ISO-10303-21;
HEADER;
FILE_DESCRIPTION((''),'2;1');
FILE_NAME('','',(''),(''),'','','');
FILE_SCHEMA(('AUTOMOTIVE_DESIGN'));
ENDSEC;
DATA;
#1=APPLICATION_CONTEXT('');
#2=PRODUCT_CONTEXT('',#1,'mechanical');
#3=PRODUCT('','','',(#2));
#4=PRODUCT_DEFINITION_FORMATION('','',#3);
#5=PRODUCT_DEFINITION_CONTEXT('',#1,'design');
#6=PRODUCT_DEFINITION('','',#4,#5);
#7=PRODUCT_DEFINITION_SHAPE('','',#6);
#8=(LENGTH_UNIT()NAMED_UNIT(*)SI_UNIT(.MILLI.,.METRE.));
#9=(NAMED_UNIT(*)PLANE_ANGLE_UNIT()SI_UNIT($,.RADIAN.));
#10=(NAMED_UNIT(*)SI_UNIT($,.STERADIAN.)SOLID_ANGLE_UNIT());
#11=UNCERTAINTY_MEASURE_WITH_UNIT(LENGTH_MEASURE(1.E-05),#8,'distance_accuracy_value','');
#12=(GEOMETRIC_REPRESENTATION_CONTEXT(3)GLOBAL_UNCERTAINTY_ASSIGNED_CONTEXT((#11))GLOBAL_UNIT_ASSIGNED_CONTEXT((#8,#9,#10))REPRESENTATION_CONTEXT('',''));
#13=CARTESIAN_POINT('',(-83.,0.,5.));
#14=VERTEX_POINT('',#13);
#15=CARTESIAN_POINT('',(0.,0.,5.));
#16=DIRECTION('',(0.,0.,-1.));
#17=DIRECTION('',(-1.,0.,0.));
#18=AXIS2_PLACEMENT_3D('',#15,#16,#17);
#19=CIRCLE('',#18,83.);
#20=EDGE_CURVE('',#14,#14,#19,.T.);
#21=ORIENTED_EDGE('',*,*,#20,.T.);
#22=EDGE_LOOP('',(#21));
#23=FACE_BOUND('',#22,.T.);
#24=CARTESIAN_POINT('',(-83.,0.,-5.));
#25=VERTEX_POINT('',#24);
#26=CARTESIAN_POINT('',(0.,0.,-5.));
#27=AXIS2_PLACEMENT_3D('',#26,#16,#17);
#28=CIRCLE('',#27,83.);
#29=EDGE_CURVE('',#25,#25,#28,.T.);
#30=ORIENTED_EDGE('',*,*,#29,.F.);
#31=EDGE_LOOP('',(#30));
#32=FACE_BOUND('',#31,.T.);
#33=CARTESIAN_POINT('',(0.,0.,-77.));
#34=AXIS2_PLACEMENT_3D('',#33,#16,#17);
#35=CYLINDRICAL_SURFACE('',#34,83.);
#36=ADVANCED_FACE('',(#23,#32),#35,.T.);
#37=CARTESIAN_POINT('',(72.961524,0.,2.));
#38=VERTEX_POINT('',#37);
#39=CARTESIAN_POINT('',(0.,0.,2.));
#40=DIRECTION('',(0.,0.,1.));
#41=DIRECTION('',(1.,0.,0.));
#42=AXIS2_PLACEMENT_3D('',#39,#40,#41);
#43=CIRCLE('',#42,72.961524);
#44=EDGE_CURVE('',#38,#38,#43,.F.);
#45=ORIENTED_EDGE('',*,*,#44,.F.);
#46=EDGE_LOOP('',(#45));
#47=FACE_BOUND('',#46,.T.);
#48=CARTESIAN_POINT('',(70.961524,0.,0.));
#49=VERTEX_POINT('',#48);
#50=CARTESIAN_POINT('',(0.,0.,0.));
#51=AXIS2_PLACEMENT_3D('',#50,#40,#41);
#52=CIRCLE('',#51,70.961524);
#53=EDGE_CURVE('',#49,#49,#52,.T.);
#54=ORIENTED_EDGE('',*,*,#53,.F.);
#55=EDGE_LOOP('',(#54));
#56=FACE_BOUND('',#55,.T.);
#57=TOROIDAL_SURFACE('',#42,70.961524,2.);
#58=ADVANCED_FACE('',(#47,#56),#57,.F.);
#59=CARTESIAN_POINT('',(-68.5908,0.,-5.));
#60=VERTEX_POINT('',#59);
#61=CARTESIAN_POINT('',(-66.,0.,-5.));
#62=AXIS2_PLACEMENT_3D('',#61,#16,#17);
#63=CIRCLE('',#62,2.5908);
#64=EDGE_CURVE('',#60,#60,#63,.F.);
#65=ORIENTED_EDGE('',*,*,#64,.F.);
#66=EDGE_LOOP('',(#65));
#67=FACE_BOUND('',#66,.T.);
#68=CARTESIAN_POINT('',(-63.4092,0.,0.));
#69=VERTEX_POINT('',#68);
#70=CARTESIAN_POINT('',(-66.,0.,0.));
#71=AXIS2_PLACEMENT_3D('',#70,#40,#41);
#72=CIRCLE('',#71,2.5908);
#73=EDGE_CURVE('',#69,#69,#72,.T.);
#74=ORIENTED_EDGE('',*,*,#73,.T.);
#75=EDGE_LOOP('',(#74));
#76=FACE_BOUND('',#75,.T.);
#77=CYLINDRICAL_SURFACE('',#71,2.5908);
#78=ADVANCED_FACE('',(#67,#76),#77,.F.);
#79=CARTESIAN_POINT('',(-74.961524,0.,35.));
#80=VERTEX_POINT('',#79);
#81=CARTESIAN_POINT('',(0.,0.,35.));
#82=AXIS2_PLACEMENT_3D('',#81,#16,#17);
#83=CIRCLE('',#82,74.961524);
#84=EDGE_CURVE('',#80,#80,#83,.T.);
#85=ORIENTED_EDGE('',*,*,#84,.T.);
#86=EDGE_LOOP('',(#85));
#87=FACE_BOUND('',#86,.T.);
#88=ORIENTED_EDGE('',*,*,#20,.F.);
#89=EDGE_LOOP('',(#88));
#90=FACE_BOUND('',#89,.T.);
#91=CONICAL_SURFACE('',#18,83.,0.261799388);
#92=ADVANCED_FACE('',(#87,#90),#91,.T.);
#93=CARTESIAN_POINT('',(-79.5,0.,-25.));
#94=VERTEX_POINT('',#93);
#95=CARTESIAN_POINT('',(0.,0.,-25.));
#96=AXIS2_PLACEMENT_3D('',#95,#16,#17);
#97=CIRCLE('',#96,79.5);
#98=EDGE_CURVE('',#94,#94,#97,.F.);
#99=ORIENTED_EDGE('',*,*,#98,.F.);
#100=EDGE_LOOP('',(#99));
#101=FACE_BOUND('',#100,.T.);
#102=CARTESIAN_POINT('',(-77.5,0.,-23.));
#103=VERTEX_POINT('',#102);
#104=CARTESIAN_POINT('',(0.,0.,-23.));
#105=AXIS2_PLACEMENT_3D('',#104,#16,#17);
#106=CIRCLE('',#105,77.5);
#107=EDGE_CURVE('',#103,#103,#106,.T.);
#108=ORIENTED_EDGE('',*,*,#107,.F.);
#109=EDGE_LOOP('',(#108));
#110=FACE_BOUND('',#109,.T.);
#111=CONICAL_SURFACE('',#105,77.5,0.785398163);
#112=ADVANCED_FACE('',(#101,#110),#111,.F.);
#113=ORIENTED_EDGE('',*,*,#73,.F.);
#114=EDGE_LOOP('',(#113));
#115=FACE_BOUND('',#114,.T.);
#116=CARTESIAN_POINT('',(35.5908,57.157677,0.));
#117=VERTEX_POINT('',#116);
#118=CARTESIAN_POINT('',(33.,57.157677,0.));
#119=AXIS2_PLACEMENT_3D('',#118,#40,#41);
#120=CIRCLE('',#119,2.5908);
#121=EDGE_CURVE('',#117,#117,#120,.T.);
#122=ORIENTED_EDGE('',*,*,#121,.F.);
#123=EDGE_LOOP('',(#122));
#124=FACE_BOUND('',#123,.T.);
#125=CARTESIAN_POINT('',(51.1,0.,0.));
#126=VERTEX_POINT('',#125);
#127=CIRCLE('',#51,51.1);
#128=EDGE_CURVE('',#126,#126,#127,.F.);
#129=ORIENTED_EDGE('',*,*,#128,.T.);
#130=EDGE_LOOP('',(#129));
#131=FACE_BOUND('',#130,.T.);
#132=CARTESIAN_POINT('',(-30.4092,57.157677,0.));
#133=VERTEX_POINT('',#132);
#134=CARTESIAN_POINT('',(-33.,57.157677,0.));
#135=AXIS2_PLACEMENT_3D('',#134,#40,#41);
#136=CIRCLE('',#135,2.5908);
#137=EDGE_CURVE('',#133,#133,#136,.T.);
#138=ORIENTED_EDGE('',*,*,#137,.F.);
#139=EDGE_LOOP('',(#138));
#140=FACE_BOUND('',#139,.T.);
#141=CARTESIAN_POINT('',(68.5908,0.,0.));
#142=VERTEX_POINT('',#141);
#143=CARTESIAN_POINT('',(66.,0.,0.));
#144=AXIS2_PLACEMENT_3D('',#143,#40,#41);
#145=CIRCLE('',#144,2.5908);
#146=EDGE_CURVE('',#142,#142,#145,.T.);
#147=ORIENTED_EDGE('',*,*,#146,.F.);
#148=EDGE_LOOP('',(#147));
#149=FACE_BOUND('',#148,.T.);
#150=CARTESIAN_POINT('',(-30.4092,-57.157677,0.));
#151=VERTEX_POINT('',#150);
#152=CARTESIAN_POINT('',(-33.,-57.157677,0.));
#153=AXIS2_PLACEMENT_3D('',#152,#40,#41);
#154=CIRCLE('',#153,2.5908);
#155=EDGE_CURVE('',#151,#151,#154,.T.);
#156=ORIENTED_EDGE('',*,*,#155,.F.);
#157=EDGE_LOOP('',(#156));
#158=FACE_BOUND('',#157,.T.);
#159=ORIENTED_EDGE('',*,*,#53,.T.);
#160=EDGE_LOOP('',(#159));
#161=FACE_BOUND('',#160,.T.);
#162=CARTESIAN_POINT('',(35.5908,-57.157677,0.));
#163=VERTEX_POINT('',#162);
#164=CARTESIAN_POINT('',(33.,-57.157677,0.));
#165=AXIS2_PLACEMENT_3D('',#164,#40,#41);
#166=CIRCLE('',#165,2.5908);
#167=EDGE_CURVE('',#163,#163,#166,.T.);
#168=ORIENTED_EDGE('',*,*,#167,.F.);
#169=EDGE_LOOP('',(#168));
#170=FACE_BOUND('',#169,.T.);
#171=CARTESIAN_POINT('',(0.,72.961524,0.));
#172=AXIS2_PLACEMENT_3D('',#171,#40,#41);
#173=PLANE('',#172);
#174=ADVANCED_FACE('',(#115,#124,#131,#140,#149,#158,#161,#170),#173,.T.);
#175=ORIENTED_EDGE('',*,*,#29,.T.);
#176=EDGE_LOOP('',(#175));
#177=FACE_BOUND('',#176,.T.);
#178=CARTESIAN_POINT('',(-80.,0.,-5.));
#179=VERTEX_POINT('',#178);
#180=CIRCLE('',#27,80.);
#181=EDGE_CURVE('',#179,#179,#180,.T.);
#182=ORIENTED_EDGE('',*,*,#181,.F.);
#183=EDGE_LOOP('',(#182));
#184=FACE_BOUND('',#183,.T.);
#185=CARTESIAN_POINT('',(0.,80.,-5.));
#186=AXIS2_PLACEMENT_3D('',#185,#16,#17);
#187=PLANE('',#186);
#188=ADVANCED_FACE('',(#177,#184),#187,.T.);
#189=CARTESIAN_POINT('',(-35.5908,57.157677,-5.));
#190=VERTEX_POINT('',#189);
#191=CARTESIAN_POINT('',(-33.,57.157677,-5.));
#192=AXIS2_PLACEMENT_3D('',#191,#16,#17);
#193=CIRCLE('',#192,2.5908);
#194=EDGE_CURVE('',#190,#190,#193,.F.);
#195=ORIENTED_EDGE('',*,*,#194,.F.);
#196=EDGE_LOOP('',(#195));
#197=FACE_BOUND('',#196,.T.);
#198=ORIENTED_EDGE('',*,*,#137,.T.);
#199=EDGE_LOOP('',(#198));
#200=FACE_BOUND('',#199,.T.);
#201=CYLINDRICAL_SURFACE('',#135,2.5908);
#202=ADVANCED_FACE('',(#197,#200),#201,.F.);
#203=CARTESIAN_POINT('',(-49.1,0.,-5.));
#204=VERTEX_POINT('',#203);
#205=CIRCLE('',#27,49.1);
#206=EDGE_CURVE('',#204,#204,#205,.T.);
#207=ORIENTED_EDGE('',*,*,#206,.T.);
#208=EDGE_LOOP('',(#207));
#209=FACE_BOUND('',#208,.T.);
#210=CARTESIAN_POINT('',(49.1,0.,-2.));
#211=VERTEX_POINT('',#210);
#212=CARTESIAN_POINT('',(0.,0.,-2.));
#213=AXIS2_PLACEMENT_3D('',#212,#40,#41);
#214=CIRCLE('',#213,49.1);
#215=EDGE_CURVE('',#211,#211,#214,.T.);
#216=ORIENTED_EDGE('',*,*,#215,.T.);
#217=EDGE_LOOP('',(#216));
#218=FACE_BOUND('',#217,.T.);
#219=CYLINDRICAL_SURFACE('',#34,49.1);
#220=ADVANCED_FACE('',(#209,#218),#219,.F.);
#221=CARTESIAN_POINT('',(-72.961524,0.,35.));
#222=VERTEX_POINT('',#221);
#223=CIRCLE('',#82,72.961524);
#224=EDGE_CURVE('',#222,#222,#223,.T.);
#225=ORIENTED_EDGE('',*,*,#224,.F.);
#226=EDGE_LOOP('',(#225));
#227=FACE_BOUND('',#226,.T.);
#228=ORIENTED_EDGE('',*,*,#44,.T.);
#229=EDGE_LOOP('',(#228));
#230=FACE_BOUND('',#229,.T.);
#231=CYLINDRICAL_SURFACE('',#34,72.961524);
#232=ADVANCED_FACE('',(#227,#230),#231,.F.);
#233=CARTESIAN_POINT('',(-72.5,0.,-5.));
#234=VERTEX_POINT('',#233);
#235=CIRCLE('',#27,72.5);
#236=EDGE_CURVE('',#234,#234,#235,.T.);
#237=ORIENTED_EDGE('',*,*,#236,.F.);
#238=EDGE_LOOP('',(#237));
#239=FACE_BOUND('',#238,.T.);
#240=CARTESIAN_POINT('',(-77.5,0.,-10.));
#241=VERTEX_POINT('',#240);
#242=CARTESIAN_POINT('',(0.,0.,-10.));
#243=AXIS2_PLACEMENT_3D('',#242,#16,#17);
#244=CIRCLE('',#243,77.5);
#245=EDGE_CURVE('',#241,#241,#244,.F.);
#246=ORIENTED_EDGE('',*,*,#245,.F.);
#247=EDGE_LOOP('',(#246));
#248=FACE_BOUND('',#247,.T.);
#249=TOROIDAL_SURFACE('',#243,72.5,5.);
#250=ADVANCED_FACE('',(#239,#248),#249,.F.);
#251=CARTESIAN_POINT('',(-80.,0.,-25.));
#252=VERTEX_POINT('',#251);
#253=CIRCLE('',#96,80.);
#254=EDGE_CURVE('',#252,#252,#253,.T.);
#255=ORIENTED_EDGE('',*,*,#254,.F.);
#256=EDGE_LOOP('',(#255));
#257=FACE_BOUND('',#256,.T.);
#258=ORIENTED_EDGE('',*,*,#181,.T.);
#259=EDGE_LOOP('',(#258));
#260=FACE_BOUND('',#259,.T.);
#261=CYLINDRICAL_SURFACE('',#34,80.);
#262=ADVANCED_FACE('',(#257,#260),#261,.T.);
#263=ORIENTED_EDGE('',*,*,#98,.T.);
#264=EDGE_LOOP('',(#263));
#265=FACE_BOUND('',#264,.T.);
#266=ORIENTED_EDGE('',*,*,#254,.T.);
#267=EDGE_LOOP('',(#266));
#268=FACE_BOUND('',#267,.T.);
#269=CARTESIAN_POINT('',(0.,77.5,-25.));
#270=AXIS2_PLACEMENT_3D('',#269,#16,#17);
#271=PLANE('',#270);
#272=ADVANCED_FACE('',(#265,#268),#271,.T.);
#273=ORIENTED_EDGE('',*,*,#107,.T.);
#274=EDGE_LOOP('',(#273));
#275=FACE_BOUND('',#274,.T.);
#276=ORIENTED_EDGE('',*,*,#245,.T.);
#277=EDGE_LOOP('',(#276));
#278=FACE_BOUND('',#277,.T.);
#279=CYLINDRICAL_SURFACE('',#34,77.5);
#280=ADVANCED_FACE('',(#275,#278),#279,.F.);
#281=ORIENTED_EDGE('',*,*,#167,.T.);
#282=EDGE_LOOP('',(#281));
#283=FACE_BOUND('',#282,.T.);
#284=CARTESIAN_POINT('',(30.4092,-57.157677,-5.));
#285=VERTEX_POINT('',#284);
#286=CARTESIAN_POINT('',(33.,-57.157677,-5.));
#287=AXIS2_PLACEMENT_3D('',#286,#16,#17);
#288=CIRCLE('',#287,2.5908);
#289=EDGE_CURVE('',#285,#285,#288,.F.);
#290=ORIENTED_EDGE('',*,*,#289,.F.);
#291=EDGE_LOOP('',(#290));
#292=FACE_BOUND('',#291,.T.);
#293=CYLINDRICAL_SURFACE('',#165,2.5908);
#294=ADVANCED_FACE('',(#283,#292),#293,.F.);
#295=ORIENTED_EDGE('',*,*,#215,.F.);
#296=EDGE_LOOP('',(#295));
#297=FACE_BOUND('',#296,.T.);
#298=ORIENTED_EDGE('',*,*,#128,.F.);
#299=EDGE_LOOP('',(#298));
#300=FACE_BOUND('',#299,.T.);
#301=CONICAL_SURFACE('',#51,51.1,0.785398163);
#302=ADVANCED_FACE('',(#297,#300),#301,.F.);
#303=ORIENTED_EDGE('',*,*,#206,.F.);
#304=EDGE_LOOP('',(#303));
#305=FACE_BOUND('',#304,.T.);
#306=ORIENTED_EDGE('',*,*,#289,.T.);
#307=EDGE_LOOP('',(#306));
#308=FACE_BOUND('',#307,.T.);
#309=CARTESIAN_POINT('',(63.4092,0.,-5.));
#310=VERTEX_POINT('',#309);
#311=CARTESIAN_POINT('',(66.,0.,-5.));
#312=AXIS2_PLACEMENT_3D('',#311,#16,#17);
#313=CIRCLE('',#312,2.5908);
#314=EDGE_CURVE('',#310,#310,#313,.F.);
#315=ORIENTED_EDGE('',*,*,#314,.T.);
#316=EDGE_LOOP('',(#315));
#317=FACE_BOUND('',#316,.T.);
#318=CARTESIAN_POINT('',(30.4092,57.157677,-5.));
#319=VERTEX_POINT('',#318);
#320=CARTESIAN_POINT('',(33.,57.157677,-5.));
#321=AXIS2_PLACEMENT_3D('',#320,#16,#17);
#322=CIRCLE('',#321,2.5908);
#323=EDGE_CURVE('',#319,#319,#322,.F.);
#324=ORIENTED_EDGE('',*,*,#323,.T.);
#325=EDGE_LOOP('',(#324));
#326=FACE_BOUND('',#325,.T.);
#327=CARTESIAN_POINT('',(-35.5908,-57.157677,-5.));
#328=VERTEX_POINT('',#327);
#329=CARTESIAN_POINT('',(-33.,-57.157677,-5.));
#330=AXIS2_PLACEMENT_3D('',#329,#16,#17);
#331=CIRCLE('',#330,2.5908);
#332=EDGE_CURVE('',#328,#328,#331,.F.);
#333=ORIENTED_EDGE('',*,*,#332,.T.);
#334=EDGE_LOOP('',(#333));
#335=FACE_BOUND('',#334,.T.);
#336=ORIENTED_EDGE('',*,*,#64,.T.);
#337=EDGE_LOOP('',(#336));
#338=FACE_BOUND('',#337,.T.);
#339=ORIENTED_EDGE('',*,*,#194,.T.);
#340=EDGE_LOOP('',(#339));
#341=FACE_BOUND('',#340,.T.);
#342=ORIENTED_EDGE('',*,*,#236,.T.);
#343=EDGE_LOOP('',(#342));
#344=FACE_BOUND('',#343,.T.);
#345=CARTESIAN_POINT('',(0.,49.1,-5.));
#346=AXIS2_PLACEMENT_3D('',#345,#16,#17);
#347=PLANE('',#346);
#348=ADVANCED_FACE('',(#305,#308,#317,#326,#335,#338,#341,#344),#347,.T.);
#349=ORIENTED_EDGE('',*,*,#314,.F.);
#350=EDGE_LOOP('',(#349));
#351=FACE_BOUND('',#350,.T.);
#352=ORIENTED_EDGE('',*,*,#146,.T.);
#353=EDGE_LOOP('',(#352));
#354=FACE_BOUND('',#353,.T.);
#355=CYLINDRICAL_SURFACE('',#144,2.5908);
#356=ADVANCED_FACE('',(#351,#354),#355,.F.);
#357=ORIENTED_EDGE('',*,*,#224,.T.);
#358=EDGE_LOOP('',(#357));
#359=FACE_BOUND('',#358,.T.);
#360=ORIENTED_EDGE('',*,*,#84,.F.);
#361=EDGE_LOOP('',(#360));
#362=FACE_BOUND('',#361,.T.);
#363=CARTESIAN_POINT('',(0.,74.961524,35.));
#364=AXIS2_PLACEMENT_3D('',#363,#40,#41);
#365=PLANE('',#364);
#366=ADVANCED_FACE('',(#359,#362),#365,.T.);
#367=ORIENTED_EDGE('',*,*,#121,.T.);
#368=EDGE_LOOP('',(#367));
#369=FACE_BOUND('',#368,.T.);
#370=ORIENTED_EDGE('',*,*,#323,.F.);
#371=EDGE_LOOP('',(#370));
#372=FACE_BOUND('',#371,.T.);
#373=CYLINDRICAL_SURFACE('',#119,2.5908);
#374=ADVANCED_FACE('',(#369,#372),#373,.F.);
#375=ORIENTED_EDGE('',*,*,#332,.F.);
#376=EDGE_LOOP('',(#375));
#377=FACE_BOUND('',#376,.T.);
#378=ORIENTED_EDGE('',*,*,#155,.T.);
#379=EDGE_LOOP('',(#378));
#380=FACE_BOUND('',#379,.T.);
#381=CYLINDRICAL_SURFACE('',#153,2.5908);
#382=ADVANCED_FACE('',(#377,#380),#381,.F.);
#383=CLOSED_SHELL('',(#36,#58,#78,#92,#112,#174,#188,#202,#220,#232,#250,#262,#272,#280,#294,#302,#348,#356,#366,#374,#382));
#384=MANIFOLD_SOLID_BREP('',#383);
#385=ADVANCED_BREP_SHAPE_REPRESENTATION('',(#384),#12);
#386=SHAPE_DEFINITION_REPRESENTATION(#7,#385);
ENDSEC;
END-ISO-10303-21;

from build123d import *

# Parameters (mm, degrees)
CHAMFER1_SIZE              = 2
CHAMFER2_SIZE              = 2
F_6_0_204_DIAMETER_HOLE1_D = 5.1816
CIRPATTERN1_COUNT          = 6
FILLET2_R                  = 5
FILLET3_R                  = 2


with BuildPart() as part:
    # Sketch2 → Revolve1 (revolve)
    with BuildSketch(Plane(origin=(0, 0, 0), x_dir=(0, 0, -1), z_dir=(1, 0, 0)), mode=Mode.PRIVATE) as revolve1_sk:
        Polygon((-5, 83), (-35, 74.961524227), (-35, 72.961524227), (0, 72.961524227), (0, 49.1), (5, 49.1), (5, 77.5), (25, 77.5), (25, 80), (5, 80), (5, 83), align=None)
    revolve(revolve1_sk.sketch.rotate(Axis((0, 0, -77), (0, 0, 1)), 90), axis=Axis((0, 0, -77), (0, 0, 1)))

    # Chamfer1
    chamfer1_edges = [part.edges().sort_by_distance(p)[0] for p in [
        (77.5, 0, -25),
    ]]
    chamfer(chamfer1_edges, length=CHAMFER1_SIZE)

    # Chamfer2
    chamfer2_edges = [part.edges().sort_by_distance(p)[0] for p in [
        (49.1, 0, 0),
    ]]
    chamfer(chamfer2_edges, length=CHAMFER2_SIZE)

    # #6 (0.204) Diameter Hole1 (through all)
    with Locations(Plane.XY):
        with Locations((-33, 57.15767665)):
            f_6_0_204_diameter_hole1 = Hole(F_6_0_204_DIAMETER_HOLE1_D / 2)

    # CirPattern1: #6 (0.204) Diameter Hole1 ×6 about axis
    cirpattern1_axis = Axis((0, 0, 0), (0, 0, 1))
    for i in range(1, CIRPATTERN1_COUNT):
        add(f_6_0_204_diameter_hole1.rotate(cirpattern1_axis, i * 360 / CIRPATTERN1_COUNT), mode=Mode.SUBTRACT)

    # Fillet2
    fillet2_edges = [part.edges().sort_by_distance(p)[0] for p in [
        (77.5, 0, -5),
    ]]
    fillet(fillet2_edges, radius=FILLET2_R)

    # Fillet3
    fillet3_edges = [part.edges().sort_by_distance(p)[0] for p in [
        (72.961524227, 0, 0),
    ]]
    fillet(fillet3_edges, radius=FILLET3_R)


solid = part.part
